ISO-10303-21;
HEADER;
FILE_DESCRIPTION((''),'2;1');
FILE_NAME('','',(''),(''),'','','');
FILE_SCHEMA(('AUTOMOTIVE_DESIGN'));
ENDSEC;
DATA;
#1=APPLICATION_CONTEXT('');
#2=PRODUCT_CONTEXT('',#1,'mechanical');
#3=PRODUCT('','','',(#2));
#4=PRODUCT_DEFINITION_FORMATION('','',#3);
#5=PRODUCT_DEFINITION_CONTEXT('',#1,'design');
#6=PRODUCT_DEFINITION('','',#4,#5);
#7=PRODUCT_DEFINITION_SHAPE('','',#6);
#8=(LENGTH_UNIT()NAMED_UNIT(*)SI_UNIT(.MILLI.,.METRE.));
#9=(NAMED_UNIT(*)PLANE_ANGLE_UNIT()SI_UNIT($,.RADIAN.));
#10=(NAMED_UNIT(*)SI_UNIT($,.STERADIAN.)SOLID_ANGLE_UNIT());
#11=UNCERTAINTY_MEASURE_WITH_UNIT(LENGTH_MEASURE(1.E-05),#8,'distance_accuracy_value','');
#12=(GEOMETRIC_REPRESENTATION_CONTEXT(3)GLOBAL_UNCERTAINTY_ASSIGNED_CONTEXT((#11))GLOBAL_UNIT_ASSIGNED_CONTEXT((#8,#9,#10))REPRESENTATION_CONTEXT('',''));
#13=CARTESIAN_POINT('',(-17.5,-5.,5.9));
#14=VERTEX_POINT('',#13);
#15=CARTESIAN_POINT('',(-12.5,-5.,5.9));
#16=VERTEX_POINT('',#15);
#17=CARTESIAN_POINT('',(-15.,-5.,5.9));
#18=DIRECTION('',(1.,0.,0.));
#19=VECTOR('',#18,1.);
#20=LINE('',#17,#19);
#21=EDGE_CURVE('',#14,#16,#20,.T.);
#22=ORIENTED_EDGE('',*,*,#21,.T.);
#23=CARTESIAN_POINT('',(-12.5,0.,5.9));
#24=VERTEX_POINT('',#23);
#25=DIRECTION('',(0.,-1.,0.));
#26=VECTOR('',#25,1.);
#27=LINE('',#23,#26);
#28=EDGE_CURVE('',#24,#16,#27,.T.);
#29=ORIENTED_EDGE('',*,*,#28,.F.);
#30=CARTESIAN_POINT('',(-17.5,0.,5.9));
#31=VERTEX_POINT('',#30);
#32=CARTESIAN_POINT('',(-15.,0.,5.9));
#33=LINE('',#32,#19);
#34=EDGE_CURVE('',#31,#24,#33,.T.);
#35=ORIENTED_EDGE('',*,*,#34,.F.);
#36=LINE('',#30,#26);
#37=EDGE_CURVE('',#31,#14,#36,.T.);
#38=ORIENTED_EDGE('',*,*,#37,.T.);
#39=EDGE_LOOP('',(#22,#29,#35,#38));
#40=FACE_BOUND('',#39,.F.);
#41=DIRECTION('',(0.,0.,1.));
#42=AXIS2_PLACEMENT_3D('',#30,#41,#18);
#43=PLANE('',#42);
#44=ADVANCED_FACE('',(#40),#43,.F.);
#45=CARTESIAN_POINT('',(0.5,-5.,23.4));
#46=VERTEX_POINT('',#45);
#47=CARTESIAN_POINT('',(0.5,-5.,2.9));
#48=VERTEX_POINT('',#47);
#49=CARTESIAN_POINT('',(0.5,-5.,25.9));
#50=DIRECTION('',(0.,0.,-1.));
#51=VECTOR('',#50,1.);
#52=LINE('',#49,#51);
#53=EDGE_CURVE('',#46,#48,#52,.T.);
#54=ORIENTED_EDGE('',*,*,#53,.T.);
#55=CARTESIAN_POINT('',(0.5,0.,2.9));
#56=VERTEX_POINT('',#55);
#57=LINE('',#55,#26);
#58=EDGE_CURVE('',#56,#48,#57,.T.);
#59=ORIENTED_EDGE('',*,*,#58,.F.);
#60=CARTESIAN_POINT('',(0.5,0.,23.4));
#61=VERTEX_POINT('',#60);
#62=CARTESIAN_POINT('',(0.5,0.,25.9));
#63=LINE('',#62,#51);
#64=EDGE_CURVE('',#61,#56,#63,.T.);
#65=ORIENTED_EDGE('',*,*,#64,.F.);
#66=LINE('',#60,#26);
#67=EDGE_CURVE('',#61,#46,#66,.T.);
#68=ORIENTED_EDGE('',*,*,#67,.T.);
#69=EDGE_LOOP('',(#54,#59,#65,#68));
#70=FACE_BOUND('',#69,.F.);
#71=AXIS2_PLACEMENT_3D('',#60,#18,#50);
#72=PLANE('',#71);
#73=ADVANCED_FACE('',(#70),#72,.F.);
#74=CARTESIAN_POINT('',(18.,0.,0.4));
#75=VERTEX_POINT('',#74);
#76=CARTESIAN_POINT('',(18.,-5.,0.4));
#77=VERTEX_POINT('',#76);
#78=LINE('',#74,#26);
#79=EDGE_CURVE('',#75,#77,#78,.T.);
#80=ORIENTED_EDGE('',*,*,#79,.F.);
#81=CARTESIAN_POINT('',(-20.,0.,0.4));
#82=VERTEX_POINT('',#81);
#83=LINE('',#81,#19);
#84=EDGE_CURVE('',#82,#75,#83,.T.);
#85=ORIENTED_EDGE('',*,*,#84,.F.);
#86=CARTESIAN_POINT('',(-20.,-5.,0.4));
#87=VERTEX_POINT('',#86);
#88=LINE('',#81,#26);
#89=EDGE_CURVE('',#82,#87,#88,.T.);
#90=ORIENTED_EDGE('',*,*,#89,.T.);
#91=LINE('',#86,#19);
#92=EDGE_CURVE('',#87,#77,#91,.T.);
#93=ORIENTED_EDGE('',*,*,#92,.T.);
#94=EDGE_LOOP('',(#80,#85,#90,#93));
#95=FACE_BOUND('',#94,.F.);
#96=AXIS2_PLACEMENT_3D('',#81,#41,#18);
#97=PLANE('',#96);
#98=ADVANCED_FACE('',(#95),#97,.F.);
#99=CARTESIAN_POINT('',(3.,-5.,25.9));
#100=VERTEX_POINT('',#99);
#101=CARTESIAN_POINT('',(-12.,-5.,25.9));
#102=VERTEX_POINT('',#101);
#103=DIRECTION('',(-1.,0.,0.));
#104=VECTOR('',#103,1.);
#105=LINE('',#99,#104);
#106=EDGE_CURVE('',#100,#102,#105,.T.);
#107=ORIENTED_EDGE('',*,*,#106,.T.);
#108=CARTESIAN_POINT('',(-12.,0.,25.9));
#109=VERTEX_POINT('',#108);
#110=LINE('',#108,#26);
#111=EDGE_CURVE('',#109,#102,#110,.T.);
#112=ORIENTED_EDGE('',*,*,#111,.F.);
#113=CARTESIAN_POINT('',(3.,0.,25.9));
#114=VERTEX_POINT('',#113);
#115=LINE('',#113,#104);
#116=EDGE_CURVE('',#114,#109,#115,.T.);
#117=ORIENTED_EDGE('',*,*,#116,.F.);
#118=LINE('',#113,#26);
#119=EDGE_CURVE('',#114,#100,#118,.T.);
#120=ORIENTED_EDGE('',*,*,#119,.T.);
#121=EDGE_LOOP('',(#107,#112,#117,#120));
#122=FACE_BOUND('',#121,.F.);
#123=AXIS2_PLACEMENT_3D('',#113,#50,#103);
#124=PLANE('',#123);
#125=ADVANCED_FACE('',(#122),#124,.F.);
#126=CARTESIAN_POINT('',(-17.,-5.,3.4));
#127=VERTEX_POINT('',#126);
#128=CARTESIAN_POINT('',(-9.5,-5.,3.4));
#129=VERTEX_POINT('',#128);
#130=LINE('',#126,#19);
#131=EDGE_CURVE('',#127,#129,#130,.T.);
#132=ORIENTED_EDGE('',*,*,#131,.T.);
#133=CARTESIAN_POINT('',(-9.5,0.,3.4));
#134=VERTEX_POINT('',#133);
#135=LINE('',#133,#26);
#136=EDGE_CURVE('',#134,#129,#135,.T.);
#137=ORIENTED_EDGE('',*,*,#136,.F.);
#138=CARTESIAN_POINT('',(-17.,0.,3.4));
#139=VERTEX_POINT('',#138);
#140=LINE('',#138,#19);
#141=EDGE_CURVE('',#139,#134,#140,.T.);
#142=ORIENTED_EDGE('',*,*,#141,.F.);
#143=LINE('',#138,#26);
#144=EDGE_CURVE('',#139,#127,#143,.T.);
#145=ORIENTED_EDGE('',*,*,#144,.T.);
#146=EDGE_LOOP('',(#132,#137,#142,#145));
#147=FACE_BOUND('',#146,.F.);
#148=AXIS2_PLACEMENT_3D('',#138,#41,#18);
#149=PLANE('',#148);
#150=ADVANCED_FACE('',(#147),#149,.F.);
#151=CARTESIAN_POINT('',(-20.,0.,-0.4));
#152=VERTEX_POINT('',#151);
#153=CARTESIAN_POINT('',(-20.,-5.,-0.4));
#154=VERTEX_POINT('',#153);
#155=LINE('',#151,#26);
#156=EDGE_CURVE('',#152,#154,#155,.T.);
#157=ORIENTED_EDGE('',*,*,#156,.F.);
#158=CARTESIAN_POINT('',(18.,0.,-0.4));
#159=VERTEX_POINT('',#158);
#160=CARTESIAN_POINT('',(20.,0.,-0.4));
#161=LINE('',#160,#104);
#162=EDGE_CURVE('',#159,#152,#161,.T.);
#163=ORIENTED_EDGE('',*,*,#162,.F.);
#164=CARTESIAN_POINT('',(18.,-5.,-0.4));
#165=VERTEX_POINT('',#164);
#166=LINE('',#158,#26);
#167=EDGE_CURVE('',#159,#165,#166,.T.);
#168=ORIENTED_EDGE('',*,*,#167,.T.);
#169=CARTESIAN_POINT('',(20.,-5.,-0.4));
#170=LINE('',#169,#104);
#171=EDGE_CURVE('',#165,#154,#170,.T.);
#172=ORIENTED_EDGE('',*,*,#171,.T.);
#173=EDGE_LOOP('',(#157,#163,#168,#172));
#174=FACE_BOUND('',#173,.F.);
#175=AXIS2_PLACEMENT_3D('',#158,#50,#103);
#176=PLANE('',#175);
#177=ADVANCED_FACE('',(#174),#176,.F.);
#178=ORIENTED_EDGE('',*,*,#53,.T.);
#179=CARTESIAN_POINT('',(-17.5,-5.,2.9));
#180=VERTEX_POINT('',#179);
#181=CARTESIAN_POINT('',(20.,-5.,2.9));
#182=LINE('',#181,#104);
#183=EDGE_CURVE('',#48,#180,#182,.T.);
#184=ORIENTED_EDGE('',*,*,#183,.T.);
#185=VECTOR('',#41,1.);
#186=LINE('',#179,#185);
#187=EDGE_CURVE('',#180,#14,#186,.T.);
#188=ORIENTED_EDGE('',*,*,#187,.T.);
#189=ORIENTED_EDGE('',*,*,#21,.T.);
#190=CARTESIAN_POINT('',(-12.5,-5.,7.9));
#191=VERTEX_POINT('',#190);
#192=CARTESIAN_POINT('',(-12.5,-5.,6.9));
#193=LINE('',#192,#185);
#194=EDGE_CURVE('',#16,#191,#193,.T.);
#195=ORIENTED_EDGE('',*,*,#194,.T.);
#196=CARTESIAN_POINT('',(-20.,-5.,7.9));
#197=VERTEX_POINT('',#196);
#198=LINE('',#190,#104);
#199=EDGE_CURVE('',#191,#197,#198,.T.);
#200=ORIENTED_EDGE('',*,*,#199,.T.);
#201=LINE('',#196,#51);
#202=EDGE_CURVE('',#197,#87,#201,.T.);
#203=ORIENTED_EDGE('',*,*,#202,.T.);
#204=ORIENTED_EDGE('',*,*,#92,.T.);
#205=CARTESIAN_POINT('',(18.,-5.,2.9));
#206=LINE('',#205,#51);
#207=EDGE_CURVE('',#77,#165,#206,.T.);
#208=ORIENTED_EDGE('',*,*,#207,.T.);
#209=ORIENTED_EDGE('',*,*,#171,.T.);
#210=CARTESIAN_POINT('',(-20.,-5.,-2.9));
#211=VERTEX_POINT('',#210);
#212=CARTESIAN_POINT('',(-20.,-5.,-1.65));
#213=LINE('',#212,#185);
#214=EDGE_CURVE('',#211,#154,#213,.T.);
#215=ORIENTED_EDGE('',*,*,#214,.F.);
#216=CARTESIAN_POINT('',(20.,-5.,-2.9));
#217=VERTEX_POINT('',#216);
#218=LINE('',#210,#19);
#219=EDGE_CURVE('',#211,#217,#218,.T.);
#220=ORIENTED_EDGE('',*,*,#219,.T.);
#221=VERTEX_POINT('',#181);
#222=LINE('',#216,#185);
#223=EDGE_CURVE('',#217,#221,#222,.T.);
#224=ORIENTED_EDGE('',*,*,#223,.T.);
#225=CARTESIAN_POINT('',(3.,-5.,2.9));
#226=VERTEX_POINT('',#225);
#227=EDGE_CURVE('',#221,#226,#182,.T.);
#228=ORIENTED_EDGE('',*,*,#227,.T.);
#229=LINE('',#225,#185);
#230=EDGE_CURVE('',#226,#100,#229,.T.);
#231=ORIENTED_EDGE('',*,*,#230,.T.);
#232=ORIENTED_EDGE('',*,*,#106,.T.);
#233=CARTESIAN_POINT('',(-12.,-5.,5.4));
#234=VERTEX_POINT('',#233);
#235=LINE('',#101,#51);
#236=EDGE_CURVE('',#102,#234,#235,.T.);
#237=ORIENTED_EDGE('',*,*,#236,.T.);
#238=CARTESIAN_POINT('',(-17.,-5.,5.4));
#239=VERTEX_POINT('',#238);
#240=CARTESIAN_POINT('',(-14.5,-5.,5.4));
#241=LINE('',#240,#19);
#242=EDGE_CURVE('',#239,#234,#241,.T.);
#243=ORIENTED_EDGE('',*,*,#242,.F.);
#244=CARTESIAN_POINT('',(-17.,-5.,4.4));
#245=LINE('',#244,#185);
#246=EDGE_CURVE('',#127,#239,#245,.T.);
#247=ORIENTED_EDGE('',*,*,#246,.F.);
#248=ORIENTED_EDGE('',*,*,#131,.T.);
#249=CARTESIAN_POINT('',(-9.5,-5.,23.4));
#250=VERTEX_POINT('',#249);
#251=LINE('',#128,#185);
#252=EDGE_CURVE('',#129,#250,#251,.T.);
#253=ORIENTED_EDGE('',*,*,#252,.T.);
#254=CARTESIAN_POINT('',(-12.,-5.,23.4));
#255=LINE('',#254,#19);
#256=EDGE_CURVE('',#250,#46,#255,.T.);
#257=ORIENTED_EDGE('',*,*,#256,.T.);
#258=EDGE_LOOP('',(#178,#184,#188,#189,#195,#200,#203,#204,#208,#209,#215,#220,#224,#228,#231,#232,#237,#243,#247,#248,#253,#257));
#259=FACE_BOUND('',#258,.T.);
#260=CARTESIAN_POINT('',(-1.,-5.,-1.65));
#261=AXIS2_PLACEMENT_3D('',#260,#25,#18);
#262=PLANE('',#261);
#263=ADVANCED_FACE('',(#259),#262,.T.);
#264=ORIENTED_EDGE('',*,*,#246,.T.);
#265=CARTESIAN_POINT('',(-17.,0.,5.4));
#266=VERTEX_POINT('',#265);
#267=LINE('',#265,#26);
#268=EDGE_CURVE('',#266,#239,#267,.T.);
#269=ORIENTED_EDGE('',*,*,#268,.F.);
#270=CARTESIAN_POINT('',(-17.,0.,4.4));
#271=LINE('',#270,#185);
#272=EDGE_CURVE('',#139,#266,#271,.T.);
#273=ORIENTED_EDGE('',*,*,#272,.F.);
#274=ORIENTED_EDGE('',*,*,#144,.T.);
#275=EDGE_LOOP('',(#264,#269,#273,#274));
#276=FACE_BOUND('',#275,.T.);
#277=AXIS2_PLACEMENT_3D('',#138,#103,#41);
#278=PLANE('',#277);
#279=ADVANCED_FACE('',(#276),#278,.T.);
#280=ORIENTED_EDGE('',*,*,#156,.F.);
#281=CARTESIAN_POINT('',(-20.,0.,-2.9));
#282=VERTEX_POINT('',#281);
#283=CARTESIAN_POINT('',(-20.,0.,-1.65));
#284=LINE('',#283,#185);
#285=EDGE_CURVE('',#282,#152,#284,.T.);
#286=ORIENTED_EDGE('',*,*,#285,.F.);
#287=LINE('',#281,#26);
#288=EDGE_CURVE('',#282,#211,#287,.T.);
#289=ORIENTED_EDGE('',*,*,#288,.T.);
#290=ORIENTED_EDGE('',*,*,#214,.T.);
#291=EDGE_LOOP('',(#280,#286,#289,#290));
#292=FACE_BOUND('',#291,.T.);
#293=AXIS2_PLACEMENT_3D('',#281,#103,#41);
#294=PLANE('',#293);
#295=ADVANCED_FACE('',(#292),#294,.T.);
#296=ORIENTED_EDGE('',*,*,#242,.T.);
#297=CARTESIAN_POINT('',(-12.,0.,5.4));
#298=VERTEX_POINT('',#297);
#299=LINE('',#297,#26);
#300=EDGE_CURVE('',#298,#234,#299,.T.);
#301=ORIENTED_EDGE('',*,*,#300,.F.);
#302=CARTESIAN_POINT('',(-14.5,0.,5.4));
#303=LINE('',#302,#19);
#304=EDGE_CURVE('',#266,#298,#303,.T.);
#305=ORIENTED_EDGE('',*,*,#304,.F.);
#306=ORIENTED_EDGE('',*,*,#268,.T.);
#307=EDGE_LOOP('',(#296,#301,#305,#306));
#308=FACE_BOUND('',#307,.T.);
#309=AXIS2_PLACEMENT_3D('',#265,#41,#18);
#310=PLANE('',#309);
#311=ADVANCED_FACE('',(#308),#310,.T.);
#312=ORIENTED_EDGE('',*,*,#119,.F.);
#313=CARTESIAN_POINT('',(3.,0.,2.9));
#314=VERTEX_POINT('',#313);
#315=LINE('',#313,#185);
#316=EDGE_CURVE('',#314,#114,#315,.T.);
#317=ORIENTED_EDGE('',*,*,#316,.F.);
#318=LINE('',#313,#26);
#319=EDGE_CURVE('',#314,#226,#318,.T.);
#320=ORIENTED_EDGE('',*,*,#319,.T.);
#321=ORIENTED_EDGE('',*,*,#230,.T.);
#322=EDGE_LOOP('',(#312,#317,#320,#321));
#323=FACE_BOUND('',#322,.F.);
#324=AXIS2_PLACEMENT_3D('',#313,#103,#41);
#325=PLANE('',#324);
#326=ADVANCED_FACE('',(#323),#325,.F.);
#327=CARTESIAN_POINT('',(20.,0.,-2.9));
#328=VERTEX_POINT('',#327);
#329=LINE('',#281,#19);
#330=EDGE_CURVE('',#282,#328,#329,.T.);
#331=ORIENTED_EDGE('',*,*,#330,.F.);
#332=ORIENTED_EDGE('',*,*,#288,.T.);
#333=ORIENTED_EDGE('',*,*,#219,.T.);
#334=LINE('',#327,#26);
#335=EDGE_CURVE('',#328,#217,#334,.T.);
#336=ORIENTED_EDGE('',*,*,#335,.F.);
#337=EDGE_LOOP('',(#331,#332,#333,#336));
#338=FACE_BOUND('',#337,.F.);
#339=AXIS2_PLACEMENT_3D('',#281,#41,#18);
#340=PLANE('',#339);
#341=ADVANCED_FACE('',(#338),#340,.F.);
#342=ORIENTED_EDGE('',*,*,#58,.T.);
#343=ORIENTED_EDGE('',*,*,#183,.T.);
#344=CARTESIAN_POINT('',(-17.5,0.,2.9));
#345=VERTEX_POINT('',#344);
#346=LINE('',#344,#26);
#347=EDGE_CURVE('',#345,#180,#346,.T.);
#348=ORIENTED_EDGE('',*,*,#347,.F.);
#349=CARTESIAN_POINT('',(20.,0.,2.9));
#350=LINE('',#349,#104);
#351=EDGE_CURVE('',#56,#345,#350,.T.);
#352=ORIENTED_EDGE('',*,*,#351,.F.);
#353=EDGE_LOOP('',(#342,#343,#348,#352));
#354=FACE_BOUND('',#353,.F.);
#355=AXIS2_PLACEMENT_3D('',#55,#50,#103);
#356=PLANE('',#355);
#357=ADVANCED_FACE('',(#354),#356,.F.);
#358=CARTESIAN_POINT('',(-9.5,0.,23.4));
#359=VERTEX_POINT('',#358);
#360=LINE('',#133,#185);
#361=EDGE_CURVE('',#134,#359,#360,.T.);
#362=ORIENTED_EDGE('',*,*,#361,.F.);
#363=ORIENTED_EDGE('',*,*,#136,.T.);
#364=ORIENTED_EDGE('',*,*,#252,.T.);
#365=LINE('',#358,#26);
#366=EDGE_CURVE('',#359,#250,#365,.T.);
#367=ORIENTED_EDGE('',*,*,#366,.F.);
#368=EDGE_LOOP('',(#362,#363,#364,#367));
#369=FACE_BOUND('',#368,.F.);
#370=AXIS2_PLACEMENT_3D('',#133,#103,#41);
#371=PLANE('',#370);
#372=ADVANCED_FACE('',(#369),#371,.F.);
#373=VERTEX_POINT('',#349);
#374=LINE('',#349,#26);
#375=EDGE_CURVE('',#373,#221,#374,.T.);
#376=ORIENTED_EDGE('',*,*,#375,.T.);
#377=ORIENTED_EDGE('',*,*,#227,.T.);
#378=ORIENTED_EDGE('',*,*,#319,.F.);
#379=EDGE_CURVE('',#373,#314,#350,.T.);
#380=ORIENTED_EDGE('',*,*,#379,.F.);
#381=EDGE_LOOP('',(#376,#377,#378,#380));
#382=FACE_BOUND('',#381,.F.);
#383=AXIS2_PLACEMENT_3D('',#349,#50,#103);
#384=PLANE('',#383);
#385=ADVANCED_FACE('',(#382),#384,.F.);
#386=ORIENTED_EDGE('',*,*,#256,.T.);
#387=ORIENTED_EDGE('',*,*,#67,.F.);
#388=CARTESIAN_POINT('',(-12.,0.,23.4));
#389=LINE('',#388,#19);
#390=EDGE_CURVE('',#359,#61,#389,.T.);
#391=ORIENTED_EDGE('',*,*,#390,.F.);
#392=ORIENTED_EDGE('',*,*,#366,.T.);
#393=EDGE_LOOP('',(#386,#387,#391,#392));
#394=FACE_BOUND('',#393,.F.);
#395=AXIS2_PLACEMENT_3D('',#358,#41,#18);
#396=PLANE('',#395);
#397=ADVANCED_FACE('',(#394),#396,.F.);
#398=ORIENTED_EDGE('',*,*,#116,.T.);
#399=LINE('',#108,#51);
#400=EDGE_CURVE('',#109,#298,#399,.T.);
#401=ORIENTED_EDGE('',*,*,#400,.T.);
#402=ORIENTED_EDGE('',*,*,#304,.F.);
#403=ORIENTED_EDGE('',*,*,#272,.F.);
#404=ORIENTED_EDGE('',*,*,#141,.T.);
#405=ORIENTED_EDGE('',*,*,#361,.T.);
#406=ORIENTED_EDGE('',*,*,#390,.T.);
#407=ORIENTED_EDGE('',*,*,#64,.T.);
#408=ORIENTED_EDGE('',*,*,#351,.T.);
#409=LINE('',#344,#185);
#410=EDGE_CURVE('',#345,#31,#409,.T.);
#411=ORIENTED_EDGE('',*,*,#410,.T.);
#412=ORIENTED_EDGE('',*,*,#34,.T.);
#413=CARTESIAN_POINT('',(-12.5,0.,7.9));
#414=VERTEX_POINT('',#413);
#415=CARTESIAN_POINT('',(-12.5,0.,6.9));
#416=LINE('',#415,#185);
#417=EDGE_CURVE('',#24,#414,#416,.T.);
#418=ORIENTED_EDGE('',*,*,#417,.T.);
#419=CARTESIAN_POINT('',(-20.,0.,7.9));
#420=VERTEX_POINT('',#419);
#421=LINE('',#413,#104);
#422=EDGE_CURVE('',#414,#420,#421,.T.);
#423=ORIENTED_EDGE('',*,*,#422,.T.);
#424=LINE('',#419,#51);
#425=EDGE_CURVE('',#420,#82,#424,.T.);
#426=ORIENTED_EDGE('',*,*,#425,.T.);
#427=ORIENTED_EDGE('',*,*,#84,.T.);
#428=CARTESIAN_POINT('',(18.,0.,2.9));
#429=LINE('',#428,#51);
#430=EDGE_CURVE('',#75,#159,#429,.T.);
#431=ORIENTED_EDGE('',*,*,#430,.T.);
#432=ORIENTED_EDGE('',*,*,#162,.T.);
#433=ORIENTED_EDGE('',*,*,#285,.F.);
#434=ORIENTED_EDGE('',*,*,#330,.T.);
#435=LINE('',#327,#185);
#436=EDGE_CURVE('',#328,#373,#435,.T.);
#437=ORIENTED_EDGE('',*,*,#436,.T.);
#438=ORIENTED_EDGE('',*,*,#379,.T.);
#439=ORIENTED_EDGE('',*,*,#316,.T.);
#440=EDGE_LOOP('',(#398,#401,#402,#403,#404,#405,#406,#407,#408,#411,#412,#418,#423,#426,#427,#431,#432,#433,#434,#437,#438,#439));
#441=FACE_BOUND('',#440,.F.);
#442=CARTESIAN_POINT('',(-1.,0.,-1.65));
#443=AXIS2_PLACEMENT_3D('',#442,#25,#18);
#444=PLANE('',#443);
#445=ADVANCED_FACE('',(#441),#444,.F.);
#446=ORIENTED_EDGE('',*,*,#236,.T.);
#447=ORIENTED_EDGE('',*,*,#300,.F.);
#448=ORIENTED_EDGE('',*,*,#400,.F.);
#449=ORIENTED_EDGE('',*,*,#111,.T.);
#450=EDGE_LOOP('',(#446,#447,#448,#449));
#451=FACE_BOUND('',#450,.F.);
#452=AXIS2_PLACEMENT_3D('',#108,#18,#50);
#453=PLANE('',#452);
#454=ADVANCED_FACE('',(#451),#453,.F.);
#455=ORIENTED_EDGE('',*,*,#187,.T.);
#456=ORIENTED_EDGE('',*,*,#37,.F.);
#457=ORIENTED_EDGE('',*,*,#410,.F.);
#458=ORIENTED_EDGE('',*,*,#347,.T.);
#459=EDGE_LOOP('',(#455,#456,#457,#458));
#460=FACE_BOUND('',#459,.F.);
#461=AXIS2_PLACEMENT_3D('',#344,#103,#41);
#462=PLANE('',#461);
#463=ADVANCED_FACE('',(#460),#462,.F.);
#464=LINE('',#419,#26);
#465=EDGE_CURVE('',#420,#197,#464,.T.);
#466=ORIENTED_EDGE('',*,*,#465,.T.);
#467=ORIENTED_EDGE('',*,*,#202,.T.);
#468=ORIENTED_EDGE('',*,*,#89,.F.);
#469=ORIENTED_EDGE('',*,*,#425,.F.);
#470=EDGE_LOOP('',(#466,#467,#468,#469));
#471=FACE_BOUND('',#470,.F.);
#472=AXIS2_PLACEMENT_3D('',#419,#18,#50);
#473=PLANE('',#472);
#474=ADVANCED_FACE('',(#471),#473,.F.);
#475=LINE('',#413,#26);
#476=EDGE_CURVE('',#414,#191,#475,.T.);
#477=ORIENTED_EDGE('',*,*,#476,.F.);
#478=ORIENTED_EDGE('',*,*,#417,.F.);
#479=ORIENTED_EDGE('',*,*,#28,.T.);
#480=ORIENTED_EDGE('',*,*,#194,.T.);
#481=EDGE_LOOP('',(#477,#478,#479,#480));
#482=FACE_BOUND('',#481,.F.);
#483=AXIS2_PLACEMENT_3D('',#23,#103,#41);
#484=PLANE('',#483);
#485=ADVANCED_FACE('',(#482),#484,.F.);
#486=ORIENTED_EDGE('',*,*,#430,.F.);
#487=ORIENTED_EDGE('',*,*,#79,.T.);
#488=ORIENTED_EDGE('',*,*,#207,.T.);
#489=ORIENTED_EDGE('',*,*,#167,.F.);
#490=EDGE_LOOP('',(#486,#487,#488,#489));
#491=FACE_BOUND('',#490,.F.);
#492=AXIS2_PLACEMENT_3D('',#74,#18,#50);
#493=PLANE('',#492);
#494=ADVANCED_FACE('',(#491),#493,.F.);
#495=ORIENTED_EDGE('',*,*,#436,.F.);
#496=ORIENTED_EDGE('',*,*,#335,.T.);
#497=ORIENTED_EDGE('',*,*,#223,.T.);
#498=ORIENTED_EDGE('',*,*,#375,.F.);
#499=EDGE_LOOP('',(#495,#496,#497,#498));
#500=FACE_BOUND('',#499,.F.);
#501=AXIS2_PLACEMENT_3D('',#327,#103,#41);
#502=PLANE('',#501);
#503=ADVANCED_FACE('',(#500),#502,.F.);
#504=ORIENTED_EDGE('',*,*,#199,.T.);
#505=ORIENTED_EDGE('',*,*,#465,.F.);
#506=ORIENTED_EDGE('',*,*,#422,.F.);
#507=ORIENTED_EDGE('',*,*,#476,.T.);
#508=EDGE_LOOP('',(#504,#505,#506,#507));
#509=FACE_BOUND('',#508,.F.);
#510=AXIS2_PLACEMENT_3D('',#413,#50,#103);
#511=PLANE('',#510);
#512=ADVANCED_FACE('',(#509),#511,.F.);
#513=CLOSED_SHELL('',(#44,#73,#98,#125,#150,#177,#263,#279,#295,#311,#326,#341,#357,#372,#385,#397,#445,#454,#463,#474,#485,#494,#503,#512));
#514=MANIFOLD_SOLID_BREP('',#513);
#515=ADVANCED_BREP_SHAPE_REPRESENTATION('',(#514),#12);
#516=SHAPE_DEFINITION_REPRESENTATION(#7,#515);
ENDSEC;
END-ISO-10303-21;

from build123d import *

# Parameters (mm, degrees)
F0_W     = 38
F0_H     = 2.5
F0_W_2   = 2
F0_H_2   = 0.4
F0_W_3   = 10
F0_W_4   = 2.5
F0_W_5   = 5
F0_H_3   = 2
F1_DEPTH = 5


with BuildPart() as f1:
    # F0 (on Front) → F1 (new body)
    with BuildSketch(Plane.XZ):
        with Locations((-1, -1.65)):
            Rectangle(F0_W, F0_H)
        with Locations((19, -1.65)):
            Rectangle(F0_W_2, F0_H)
        with Locations((19, -0.2)):
            Rectangle(F0_W_2, F0_H_2)
        with Locations((19, 0.2)):
            Rectangle(F0_W_2, F0_H_2)
        with Locations((19, 1.65)):
            Rectangle(F0_W_2, F0_H)
        Polygon((-20, 0.4), (18, 0.4), (18, 2.9), (3, 2.9), (0.5, 2.9), (-17.5, 2.9), (-20, 2.9), align=None)
        Polygon((0.5, 2.9), (3, 2.9), (3, 25.9), (0.5, 25.9), (0.5, 23.4), align=None)
        with Locations((-4.5, 24.65)):
            Rectangle(F0_W_3, F0_H)
        with Locations((-10.75, 24.65)):
            Rectangle(F0_W_4, F0_H)
        Polygon((-9.5, 3.4), (-9.5, 23.4), (-12, 23.4), (-12, 5.4), (-12, 3.4), align=None)
        with Locations((-14.5, 4.4)):
            Rectangle(F0_W_5, F0_H_3)
        with Locations((-15, 6.9)):
            Rectangle(F0_W_5, F0_H_3)
        Polygon((-20, 7.9), (-20, 2.9), (-17.5, 2.9), (-17.5, 5.9), (-17.5, 7.9), align=None)
    extrude(amount=F1_DEPTH)


solid = f1.part
